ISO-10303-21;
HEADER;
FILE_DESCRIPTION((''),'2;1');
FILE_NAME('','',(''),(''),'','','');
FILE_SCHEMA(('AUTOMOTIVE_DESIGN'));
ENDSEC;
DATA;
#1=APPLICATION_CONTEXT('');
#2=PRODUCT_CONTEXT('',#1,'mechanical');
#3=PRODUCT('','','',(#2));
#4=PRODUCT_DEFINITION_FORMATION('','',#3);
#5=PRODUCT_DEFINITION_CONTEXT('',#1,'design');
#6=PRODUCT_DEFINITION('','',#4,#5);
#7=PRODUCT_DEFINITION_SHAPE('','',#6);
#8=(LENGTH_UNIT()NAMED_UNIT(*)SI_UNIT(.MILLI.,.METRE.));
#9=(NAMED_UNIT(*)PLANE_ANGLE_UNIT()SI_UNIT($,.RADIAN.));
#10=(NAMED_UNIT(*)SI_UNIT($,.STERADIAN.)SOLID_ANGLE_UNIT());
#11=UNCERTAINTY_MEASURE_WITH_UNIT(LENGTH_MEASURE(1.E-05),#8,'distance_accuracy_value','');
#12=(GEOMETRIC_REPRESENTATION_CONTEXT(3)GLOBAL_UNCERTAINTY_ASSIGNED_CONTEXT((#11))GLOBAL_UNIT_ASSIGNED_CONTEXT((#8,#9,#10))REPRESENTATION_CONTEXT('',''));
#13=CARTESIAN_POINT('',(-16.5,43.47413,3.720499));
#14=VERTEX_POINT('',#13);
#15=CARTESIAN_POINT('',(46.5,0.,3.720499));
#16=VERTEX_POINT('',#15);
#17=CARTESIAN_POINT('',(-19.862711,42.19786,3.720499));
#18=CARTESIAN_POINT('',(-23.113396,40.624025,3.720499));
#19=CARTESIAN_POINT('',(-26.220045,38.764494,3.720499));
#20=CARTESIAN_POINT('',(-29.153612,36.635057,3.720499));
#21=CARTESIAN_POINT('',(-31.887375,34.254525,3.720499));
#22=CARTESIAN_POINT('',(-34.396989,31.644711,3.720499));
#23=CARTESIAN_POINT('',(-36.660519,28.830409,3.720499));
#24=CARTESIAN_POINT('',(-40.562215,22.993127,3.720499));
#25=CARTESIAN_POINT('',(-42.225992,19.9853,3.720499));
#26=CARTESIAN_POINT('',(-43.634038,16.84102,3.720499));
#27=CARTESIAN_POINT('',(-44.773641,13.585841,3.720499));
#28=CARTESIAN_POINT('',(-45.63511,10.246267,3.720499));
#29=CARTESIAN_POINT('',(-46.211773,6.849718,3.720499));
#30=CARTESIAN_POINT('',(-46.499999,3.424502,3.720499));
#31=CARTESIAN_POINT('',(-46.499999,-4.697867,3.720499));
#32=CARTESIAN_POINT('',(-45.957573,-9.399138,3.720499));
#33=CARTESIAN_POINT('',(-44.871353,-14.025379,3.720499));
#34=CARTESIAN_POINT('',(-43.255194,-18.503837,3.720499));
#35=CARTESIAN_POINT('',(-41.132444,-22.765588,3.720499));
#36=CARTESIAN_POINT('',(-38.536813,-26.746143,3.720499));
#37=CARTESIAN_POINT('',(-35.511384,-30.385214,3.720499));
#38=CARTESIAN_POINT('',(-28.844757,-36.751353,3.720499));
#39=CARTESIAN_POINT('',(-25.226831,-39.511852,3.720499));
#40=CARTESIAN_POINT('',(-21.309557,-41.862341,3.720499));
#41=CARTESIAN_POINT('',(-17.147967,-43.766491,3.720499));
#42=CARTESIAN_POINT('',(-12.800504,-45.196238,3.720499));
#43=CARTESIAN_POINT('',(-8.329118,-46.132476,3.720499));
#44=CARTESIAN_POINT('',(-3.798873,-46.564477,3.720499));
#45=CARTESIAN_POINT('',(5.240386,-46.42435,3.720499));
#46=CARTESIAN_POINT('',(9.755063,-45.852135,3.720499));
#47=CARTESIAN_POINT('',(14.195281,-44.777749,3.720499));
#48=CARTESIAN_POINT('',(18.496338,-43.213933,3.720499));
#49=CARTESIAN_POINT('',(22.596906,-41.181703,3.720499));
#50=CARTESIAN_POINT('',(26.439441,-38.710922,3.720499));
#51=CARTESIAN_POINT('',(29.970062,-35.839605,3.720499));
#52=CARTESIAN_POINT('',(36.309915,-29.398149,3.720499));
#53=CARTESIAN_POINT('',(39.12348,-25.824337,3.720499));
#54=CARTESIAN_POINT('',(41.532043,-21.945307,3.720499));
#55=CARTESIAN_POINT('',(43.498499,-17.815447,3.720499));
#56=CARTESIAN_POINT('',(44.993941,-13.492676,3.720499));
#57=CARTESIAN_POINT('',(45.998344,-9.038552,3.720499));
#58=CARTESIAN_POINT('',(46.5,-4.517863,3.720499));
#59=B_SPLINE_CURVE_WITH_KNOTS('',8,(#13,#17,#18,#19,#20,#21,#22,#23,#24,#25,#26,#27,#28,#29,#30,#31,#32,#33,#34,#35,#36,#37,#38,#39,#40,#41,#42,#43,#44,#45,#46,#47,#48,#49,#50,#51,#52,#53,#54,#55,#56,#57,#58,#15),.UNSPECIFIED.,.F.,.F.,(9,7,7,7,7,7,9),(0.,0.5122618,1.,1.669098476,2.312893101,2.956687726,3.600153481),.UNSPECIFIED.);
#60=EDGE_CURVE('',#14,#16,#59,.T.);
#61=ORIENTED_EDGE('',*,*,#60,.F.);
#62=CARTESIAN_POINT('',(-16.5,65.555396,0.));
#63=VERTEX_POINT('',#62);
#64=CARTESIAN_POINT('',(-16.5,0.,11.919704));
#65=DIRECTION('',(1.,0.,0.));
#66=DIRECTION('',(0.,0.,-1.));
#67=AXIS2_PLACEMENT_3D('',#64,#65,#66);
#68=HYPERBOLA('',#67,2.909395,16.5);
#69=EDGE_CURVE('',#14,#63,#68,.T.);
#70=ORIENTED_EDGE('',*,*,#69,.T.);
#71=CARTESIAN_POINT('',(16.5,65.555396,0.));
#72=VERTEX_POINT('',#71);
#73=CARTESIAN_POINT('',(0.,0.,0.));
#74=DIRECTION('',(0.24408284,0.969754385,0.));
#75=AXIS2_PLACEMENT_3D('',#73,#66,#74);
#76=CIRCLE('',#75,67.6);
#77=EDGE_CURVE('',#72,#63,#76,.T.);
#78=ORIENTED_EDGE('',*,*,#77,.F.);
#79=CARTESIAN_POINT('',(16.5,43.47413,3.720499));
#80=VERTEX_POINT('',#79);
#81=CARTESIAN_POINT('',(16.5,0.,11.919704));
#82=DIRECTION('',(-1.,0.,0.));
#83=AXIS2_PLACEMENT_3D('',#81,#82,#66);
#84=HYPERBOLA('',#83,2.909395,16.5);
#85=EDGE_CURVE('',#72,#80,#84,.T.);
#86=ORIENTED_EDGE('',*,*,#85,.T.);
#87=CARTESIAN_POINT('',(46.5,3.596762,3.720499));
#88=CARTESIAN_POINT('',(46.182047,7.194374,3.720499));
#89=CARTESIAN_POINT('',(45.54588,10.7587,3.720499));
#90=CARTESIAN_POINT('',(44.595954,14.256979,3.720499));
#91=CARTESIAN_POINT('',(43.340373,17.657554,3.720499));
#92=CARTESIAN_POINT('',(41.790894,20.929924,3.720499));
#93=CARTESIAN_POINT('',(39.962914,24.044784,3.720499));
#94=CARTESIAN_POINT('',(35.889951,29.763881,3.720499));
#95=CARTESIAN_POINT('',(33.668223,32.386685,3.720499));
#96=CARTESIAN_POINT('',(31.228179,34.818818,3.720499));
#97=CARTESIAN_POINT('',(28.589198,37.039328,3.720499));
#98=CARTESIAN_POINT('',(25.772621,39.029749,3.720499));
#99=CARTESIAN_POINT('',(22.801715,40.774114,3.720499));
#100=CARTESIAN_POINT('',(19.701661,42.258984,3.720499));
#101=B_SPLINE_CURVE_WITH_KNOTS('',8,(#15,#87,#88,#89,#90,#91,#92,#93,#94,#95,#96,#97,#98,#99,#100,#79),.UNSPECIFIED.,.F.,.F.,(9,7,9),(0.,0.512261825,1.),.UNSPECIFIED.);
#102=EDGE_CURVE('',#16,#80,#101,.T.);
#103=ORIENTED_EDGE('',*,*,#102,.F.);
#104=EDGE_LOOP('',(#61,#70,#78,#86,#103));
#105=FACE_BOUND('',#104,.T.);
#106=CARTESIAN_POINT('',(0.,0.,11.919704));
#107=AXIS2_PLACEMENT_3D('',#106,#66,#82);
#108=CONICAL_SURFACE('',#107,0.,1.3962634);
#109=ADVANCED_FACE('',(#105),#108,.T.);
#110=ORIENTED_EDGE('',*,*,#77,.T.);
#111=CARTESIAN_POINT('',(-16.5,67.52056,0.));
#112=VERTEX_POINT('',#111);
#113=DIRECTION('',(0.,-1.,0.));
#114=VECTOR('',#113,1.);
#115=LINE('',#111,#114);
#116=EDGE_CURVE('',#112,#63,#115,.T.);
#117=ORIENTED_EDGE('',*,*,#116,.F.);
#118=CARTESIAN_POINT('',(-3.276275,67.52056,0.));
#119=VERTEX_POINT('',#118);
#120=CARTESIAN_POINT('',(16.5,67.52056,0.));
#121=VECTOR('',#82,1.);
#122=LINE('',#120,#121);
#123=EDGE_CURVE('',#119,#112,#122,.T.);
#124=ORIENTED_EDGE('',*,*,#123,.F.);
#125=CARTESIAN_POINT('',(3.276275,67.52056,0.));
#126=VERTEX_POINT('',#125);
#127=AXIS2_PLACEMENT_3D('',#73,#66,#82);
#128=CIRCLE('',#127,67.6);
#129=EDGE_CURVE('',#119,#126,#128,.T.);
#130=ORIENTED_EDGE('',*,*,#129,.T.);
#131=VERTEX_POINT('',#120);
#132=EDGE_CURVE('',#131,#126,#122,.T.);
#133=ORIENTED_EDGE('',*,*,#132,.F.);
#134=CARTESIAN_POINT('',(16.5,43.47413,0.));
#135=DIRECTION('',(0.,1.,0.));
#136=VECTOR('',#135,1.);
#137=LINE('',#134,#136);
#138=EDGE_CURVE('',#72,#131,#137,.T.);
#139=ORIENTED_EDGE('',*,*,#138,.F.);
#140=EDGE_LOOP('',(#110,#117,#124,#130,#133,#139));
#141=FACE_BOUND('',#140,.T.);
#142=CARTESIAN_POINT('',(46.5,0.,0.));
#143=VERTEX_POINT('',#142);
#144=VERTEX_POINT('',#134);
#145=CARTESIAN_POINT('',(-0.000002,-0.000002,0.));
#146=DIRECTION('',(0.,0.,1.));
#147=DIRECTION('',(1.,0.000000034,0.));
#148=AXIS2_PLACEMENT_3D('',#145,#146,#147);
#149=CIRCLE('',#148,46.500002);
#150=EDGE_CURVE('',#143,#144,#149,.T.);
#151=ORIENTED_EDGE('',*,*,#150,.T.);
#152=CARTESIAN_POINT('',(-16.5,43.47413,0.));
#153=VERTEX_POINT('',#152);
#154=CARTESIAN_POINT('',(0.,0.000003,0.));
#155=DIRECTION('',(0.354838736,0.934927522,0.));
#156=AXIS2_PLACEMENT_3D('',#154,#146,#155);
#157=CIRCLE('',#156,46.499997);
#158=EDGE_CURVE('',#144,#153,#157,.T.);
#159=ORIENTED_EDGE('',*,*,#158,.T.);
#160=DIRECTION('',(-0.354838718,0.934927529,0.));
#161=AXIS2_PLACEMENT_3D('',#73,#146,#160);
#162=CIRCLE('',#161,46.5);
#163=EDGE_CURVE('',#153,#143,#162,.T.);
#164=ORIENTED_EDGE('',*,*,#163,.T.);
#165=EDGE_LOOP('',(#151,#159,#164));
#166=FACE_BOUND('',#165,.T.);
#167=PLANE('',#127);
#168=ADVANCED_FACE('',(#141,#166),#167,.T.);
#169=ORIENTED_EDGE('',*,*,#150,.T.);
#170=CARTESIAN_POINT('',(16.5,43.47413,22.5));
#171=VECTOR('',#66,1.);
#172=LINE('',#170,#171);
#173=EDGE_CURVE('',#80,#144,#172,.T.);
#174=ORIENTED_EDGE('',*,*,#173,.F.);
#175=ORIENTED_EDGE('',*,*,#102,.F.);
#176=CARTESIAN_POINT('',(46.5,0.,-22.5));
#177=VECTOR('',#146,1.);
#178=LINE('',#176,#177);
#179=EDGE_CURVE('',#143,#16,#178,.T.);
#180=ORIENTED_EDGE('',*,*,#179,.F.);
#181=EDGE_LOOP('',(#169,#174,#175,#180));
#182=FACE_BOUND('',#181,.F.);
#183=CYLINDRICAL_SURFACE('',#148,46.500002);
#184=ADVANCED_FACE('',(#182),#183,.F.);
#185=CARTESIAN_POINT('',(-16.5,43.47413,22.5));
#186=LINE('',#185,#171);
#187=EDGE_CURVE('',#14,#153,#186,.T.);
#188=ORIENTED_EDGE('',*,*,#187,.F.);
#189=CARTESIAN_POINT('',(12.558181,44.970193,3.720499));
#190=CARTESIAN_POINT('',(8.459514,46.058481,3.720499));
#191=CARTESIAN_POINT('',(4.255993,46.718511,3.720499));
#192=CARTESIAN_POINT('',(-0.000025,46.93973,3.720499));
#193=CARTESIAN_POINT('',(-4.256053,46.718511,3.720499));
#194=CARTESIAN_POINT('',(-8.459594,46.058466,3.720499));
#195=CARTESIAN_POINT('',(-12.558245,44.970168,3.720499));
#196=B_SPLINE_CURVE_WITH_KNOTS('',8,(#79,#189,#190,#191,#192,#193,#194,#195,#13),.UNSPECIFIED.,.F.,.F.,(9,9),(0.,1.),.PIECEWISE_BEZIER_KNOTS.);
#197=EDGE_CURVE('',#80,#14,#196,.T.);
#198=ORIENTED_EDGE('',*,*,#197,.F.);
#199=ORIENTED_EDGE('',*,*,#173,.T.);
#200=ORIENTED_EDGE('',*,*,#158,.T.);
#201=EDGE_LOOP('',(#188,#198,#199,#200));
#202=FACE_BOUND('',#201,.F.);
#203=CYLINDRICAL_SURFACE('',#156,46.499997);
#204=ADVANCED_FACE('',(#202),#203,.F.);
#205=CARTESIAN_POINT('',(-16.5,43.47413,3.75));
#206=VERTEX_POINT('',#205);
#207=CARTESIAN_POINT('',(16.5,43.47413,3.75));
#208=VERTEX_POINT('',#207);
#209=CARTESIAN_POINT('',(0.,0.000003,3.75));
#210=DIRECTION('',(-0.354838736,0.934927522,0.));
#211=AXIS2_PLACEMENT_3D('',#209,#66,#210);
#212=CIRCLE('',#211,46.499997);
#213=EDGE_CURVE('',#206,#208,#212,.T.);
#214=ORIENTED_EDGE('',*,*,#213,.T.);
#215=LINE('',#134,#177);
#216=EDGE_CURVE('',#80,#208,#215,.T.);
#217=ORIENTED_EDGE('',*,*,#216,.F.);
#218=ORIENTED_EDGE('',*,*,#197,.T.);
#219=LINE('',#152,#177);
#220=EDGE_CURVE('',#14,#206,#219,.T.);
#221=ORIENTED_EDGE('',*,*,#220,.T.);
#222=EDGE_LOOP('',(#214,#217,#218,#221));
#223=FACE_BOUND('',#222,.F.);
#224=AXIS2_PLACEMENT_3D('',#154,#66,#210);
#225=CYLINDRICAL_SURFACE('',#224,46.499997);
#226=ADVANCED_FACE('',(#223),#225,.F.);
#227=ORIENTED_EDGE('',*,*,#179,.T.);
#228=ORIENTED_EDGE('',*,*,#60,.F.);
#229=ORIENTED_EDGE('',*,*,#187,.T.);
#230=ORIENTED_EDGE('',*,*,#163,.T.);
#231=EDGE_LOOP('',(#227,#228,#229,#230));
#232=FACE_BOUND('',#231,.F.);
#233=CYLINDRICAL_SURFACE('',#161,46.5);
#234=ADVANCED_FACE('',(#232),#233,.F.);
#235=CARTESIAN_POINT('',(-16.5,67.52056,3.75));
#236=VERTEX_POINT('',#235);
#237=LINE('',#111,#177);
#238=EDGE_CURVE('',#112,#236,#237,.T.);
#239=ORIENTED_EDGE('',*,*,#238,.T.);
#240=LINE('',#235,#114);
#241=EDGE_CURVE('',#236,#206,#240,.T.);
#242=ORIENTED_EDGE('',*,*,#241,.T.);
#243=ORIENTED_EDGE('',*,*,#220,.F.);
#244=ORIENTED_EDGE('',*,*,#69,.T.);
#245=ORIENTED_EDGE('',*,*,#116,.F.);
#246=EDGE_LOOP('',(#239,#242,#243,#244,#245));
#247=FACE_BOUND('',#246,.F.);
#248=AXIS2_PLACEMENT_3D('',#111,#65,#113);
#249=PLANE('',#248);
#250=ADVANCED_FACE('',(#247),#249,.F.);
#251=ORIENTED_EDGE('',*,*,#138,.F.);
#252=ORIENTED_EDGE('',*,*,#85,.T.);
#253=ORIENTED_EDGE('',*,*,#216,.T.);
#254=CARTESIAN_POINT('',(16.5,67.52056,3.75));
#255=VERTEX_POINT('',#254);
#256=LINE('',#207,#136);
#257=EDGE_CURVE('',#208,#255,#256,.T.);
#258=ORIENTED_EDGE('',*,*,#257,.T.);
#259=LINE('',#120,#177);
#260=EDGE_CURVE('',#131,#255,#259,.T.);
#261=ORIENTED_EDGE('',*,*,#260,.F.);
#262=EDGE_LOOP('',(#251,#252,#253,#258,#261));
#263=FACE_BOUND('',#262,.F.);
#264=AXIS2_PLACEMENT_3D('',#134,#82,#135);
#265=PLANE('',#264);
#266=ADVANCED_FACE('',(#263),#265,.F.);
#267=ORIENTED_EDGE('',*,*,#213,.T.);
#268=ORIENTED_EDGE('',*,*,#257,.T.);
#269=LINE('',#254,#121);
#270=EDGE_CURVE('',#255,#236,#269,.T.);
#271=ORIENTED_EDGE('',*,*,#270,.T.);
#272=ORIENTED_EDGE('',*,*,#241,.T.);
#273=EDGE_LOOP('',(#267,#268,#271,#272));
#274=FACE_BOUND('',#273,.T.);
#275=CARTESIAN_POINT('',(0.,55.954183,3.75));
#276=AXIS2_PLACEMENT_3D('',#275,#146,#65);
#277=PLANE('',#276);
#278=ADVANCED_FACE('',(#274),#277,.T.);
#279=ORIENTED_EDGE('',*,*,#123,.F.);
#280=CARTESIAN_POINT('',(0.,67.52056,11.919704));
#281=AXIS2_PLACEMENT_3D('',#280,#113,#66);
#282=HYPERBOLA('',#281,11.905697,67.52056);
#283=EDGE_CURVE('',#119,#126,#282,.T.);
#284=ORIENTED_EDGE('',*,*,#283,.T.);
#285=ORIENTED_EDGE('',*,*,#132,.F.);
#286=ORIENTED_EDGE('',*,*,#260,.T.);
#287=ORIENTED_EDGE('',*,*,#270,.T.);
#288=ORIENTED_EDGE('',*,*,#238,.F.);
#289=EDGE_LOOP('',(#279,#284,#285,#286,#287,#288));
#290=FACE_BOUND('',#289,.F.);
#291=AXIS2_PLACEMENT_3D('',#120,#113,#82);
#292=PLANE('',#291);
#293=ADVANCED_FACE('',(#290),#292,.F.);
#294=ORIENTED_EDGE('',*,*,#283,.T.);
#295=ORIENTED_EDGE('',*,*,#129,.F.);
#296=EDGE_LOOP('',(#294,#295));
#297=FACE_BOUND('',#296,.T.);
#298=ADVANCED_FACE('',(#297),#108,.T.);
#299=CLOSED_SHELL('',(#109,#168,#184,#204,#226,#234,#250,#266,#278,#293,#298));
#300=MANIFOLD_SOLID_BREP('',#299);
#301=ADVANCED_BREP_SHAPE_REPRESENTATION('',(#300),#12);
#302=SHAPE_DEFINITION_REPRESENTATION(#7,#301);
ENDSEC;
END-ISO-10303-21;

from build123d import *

# Parameters (mm, degrees)
F3_DEPTH = 22.5
F4_DEPTH = 3.75


with BuildPart() as f1:
    # F0 (on Front) → F1 (revolve)
    with BuildSketch(Plane.XZ):
        Polygon((0, 0), (0, 11.919704), (-67.6, 0), align=None)
    revolve(axis=Axis((0, 0, 5.959852), (0, 0, -1)))

    # F2 (on Top) → F3 (cut, symmetric)
    with BuildSketch(Plane.XY):
        with BuildLine():
            ThreePointArc((-16.5, 43.47413), (-26.410225, -38.272052), (46.5, 0))
            ThreePointArc((46.5, 0), (38.272052, 26.410225), (16.5, 43.47413))
            ThreePointArc((16.5, 43.47413), (0, 46.5), (-16.5, 43.47413))
        make_face()
    extrude(amount=F3_DEPTH, both=True, mode=Mode.SUBTRACT)

    # F2 (on Top) → F4 (join)
    with BuildSketch(Plane.XY):
        with BuildLine():
            ThreePointArc((-16.5, 43.47413), (0, 46.5), (16.5, 43.47413))
            Line((16.5, 43.47413), (16.5, 67.52056))
            Line((16.5, 67.52056), (-16.5, 67.52056))
            Line((-16.5, 67.52056), (-16.5, 43.47413))
        make_face()
    extrude(amount=F4_DEPTH)


solid = f1.part
